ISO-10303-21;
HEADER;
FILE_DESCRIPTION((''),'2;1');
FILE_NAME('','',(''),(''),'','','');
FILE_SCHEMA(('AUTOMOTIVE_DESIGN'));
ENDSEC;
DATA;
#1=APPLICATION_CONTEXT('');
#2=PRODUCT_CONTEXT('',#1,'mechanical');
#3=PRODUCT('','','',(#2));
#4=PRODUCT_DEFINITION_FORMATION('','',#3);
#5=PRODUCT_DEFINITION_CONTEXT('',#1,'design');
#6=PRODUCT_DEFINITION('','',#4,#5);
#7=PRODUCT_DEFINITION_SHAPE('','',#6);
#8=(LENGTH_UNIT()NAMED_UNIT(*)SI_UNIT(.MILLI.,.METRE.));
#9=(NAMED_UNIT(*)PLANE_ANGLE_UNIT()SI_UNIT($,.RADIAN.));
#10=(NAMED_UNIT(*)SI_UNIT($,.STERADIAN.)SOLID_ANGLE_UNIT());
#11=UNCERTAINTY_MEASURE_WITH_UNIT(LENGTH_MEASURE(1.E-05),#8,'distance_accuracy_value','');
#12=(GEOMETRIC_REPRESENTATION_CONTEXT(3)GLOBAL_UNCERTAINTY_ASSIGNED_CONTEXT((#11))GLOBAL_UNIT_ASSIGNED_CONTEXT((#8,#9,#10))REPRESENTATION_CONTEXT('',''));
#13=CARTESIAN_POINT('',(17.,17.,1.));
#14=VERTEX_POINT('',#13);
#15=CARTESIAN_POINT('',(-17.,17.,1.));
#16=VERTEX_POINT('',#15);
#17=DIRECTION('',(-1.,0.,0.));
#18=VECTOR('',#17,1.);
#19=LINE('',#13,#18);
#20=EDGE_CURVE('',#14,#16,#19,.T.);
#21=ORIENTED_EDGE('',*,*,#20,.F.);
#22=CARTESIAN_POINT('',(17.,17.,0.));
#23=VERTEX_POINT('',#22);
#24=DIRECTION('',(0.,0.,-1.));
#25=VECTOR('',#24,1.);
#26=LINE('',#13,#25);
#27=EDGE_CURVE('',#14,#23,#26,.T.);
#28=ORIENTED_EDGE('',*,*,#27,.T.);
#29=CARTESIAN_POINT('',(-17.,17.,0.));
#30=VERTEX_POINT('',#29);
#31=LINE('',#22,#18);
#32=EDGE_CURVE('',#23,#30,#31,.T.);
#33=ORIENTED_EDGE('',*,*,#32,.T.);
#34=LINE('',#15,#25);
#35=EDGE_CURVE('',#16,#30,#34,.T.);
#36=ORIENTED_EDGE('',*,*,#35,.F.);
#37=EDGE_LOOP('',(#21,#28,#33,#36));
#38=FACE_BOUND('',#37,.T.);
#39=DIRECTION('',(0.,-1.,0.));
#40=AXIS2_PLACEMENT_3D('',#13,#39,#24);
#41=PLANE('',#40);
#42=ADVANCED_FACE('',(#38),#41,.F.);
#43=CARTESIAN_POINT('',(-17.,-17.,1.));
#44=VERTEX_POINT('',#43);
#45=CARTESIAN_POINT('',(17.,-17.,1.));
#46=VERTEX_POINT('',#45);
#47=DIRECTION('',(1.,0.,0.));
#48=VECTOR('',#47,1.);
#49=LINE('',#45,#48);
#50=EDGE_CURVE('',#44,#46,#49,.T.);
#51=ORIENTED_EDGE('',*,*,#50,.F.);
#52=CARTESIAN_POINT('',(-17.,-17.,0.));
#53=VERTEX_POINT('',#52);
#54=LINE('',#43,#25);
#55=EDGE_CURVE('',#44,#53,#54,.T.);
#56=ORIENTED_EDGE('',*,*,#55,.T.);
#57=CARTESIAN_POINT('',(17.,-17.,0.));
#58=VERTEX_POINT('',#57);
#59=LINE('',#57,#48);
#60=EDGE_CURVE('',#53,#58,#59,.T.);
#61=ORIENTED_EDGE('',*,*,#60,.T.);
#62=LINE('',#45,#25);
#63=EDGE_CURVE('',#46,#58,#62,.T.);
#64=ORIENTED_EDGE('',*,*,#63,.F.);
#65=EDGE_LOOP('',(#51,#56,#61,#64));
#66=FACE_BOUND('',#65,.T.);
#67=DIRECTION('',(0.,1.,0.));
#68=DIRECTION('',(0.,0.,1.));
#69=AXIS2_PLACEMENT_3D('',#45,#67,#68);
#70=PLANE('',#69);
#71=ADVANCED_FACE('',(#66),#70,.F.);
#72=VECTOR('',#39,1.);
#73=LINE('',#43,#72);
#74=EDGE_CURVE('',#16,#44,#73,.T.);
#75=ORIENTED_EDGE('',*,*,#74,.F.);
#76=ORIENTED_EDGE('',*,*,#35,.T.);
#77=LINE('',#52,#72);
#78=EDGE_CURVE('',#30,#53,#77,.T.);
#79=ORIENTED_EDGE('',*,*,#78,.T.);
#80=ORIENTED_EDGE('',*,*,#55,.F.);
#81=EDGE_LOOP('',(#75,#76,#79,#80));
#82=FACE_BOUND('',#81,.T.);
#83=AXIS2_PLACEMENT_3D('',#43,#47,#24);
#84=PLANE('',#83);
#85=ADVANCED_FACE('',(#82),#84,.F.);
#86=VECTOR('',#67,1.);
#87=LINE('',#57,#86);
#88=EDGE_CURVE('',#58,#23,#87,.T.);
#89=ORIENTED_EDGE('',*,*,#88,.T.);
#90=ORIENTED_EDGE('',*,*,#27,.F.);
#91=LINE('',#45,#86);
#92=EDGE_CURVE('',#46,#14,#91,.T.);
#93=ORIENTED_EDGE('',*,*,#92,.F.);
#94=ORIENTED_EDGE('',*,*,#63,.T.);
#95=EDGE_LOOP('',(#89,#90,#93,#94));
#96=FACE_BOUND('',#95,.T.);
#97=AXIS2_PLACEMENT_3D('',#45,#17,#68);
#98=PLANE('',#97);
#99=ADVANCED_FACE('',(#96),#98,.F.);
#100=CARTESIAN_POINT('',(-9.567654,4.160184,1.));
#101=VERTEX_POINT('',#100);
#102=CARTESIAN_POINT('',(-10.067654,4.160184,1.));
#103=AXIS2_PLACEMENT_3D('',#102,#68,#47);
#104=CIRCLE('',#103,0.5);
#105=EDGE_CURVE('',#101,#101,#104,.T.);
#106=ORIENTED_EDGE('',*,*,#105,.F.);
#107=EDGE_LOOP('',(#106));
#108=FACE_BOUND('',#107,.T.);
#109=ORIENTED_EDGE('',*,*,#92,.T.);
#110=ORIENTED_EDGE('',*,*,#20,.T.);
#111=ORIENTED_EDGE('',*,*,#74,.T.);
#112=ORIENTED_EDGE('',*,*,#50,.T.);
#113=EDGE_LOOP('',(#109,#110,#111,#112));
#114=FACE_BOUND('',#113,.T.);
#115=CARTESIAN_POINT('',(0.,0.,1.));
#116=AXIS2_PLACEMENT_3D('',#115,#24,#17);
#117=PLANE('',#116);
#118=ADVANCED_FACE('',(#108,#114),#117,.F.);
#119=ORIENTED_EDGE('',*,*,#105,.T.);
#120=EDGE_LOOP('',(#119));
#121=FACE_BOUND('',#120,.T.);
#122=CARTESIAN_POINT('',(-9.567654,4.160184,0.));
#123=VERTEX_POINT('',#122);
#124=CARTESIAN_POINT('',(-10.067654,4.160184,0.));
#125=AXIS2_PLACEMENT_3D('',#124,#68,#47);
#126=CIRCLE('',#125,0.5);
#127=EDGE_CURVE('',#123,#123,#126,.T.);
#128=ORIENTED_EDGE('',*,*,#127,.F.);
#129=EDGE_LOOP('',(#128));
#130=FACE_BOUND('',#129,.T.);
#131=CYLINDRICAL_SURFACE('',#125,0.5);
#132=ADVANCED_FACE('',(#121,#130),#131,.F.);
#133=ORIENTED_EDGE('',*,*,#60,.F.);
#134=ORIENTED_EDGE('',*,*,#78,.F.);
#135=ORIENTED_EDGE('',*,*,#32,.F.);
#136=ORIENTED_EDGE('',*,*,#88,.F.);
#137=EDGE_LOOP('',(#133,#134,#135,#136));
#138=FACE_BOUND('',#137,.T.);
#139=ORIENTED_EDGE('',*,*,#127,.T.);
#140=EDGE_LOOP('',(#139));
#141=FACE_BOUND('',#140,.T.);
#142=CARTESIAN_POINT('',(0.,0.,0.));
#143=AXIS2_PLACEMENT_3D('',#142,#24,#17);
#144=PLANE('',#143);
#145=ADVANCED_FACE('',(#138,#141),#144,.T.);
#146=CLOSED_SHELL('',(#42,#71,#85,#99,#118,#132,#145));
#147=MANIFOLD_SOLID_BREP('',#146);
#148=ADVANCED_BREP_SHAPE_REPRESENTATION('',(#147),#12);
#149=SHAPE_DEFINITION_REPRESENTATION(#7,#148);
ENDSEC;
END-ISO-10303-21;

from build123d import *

# Parameters (mm, degrees)
ESQUISSE3_W             = 34
ESQUISSE3_H             = 34
BOSS_EXTRU_1_DEPTH      = 1
SKETCH_HOLES_R          = 0.5
CUT_EXTRUDE_HOLES_DEPTH = 2


with BuildPart() as part:
    # Esquisse3 → Boss.-Extru.1 (new body)
    with BuildSketch(Plane(origin=(0, 0, 0), x_dir=(0, 1, 0), z_dir=(0, 0, 1))):
        Rectangle(ESQUISSE3_W, ESQUISSE3_H)
    extrude(amount=BOSS_EXTRU_1_DEPTH)

    # Sketch_Holes → Cut_Extrude_Holes (cut, through all)
    with BuildSketch(Plane.XY.offset(1)):
        with Locations((-10.067654011, 4.160184375)):
            Circle(SKETCH_HOLES_R)
    extrude(amount=-CUT_EXTRUDE_HOLES_DEPTH, mode=Mode.SUBTRACT)


solid = part.part
